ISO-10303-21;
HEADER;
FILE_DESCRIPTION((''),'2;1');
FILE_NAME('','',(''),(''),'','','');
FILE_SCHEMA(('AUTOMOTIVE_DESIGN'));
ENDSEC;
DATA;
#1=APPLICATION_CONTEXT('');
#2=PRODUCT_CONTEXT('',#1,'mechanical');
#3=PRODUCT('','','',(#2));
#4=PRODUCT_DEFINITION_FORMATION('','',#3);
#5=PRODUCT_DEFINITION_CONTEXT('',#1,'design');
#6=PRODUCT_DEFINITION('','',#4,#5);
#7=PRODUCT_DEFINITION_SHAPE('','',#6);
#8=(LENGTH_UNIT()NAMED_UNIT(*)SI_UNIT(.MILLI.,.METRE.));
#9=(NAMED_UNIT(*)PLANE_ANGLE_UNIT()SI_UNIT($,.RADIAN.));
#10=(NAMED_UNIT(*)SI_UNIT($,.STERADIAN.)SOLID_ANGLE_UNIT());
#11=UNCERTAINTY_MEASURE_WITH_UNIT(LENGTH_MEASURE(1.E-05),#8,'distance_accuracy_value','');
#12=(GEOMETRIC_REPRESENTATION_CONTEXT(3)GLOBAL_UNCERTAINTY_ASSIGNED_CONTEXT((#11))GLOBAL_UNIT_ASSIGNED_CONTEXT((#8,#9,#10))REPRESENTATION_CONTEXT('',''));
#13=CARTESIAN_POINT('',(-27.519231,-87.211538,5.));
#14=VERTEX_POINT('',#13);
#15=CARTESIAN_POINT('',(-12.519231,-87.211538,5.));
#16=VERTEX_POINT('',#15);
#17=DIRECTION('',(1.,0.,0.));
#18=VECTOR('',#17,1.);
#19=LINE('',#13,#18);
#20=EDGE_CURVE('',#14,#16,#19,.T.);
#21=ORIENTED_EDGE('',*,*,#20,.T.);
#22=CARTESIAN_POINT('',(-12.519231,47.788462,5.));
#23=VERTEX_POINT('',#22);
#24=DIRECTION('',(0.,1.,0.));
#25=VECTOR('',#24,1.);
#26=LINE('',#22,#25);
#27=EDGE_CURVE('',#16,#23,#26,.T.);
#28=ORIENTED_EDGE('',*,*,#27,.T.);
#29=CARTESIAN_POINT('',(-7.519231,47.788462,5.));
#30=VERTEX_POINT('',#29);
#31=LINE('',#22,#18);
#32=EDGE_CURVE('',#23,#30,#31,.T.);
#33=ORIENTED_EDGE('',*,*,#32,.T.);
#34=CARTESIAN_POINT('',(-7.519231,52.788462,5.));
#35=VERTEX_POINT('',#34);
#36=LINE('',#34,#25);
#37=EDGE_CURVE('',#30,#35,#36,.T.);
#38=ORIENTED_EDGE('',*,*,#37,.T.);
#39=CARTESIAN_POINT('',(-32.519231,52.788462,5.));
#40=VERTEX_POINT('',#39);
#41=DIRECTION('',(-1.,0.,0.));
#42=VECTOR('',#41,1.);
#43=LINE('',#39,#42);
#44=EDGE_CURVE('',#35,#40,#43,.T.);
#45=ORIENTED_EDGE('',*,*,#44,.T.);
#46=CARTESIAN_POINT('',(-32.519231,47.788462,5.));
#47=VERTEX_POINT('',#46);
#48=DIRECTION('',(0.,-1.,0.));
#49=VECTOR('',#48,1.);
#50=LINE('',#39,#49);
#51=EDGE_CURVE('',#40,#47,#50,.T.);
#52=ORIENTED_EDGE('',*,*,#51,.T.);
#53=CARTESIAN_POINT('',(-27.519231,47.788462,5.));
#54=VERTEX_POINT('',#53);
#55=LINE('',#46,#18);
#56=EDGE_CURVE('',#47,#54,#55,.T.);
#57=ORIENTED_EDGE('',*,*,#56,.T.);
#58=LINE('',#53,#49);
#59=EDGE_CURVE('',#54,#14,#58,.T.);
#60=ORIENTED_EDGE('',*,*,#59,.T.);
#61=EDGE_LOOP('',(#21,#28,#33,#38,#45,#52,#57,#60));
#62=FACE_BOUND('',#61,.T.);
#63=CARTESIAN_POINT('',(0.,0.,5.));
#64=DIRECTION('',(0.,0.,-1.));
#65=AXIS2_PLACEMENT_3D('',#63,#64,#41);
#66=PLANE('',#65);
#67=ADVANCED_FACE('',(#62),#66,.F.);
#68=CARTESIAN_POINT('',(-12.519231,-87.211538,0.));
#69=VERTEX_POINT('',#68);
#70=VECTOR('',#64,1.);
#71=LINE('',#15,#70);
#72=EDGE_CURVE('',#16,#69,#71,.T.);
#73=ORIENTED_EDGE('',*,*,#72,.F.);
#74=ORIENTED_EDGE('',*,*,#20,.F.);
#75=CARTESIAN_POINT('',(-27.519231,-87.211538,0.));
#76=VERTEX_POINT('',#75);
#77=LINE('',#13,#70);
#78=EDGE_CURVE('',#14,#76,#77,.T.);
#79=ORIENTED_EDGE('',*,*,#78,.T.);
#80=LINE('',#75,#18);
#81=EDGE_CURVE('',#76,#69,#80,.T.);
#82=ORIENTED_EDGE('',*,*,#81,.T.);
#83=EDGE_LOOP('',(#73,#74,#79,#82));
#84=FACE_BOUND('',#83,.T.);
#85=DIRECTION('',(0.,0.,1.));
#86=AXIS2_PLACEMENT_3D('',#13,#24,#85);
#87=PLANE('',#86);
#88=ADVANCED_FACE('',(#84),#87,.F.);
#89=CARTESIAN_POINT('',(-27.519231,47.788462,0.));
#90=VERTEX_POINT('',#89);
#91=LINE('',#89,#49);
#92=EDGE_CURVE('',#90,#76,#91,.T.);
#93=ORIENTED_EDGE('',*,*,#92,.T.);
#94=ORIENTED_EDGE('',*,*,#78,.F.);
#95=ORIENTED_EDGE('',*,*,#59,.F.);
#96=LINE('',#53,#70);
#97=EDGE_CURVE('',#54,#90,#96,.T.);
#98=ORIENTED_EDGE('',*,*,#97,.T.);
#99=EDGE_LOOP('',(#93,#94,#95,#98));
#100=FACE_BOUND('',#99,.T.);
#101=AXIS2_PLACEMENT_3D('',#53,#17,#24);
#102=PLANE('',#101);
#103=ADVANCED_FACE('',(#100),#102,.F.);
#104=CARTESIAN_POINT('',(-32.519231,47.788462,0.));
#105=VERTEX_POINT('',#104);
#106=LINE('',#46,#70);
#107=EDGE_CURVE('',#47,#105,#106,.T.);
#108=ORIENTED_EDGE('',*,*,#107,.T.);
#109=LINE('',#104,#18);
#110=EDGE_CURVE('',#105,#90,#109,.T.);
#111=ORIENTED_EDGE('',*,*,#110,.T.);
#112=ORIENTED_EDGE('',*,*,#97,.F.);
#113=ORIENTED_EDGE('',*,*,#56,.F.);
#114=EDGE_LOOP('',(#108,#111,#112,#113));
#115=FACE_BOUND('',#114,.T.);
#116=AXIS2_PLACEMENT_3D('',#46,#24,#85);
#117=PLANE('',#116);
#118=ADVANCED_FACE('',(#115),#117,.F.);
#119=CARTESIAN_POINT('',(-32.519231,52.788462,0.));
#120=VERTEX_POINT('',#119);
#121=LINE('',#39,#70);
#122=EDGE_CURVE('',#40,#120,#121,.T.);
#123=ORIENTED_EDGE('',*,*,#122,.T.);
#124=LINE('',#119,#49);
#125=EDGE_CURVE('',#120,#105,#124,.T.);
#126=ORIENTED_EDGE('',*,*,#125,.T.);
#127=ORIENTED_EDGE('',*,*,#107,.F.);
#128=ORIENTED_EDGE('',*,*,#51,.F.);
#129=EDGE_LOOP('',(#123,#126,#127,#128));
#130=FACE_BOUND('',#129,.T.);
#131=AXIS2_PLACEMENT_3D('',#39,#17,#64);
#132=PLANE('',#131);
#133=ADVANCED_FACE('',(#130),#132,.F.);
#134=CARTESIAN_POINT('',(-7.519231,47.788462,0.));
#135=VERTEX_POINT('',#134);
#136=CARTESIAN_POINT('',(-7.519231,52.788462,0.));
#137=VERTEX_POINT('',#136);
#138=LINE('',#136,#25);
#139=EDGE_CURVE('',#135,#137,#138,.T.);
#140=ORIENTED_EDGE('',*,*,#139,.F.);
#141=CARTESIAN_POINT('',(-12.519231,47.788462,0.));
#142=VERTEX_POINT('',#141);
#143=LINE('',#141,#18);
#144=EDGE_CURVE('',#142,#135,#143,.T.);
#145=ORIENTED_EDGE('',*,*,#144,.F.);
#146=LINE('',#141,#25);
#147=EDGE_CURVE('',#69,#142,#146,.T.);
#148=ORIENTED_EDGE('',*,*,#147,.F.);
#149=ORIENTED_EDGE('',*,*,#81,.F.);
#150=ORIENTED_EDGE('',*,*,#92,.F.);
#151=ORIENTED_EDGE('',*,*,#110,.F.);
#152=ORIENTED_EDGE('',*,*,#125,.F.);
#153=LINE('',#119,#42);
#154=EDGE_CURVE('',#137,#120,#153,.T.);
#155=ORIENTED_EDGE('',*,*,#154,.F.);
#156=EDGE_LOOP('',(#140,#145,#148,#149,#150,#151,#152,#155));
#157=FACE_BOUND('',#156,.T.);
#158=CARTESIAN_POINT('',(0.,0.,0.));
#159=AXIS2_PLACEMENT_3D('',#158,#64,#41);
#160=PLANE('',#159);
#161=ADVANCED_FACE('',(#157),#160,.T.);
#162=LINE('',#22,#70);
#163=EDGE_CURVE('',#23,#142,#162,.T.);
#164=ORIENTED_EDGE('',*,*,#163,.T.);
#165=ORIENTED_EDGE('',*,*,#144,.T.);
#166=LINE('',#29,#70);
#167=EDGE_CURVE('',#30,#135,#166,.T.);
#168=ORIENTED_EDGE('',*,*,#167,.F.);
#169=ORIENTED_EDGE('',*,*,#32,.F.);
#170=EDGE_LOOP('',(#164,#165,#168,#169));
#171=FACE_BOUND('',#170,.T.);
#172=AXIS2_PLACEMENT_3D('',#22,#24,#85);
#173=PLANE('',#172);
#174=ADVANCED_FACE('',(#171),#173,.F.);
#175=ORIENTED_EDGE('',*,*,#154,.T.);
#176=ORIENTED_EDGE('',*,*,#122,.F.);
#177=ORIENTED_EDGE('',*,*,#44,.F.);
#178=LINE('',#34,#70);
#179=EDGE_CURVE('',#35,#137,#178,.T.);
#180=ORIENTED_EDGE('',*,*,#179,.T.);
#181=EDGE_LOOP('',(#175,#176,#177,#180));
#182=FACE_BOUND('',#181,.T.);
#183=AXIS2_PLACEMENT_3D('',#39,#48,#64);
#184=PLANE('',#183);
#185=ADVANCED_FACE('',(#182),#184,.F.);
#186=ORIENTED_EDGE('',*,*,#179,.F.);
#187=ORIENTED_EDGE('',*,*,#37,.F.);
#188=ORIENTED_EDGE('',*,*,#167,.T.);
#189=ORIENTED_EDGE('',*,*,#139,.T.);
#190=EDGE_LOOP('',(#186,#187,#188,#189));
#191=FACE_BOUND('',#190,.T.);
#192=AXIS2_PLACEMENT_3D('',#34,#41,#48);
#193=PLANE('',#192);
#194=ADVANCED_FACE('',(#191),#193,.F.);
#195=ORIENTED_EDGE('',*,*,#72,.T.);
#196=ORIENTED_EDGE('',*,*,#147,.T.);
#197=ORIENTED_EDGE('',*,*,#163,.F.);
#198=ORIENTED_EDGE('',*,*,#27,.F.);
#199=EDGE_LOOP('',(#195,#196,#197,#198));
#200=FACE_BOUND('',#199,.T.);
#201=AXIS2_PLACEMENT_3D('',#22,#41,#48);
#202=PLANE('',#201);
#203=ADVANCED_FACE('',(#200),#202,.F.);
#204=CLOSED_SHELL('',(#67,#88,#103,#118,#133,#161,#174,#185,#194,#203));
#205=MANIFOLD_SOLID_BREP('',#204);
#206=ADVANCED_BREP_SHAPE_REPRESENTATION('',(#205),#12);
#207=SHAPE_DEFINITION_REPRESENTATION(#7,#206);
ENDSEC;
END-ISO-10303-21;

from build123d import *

# Parameters (mm, degrees)
BOSS_EXTRUDE1_DEPTH = 5


with BuildPart() as part:
    # Sketch1 → Boss-Extrude1 (new body)
    with BuildSketch(Plane.XY):
        Polygon((-12.519230769, 47.788461538), (-7.519230769, 47.788461538), (-7.519230769, 52.788461538), (-32.519230769, 52.788461538), (-32.519230769, 47.788461538), (-27.519230769, 47.788461538), (-27.519230769, -87.211538462), (-12.519230769, -87.211538462), align=None)
    extrude(amount=BOSS_EXTRUDE1_DEPTH)


solid = part.part
